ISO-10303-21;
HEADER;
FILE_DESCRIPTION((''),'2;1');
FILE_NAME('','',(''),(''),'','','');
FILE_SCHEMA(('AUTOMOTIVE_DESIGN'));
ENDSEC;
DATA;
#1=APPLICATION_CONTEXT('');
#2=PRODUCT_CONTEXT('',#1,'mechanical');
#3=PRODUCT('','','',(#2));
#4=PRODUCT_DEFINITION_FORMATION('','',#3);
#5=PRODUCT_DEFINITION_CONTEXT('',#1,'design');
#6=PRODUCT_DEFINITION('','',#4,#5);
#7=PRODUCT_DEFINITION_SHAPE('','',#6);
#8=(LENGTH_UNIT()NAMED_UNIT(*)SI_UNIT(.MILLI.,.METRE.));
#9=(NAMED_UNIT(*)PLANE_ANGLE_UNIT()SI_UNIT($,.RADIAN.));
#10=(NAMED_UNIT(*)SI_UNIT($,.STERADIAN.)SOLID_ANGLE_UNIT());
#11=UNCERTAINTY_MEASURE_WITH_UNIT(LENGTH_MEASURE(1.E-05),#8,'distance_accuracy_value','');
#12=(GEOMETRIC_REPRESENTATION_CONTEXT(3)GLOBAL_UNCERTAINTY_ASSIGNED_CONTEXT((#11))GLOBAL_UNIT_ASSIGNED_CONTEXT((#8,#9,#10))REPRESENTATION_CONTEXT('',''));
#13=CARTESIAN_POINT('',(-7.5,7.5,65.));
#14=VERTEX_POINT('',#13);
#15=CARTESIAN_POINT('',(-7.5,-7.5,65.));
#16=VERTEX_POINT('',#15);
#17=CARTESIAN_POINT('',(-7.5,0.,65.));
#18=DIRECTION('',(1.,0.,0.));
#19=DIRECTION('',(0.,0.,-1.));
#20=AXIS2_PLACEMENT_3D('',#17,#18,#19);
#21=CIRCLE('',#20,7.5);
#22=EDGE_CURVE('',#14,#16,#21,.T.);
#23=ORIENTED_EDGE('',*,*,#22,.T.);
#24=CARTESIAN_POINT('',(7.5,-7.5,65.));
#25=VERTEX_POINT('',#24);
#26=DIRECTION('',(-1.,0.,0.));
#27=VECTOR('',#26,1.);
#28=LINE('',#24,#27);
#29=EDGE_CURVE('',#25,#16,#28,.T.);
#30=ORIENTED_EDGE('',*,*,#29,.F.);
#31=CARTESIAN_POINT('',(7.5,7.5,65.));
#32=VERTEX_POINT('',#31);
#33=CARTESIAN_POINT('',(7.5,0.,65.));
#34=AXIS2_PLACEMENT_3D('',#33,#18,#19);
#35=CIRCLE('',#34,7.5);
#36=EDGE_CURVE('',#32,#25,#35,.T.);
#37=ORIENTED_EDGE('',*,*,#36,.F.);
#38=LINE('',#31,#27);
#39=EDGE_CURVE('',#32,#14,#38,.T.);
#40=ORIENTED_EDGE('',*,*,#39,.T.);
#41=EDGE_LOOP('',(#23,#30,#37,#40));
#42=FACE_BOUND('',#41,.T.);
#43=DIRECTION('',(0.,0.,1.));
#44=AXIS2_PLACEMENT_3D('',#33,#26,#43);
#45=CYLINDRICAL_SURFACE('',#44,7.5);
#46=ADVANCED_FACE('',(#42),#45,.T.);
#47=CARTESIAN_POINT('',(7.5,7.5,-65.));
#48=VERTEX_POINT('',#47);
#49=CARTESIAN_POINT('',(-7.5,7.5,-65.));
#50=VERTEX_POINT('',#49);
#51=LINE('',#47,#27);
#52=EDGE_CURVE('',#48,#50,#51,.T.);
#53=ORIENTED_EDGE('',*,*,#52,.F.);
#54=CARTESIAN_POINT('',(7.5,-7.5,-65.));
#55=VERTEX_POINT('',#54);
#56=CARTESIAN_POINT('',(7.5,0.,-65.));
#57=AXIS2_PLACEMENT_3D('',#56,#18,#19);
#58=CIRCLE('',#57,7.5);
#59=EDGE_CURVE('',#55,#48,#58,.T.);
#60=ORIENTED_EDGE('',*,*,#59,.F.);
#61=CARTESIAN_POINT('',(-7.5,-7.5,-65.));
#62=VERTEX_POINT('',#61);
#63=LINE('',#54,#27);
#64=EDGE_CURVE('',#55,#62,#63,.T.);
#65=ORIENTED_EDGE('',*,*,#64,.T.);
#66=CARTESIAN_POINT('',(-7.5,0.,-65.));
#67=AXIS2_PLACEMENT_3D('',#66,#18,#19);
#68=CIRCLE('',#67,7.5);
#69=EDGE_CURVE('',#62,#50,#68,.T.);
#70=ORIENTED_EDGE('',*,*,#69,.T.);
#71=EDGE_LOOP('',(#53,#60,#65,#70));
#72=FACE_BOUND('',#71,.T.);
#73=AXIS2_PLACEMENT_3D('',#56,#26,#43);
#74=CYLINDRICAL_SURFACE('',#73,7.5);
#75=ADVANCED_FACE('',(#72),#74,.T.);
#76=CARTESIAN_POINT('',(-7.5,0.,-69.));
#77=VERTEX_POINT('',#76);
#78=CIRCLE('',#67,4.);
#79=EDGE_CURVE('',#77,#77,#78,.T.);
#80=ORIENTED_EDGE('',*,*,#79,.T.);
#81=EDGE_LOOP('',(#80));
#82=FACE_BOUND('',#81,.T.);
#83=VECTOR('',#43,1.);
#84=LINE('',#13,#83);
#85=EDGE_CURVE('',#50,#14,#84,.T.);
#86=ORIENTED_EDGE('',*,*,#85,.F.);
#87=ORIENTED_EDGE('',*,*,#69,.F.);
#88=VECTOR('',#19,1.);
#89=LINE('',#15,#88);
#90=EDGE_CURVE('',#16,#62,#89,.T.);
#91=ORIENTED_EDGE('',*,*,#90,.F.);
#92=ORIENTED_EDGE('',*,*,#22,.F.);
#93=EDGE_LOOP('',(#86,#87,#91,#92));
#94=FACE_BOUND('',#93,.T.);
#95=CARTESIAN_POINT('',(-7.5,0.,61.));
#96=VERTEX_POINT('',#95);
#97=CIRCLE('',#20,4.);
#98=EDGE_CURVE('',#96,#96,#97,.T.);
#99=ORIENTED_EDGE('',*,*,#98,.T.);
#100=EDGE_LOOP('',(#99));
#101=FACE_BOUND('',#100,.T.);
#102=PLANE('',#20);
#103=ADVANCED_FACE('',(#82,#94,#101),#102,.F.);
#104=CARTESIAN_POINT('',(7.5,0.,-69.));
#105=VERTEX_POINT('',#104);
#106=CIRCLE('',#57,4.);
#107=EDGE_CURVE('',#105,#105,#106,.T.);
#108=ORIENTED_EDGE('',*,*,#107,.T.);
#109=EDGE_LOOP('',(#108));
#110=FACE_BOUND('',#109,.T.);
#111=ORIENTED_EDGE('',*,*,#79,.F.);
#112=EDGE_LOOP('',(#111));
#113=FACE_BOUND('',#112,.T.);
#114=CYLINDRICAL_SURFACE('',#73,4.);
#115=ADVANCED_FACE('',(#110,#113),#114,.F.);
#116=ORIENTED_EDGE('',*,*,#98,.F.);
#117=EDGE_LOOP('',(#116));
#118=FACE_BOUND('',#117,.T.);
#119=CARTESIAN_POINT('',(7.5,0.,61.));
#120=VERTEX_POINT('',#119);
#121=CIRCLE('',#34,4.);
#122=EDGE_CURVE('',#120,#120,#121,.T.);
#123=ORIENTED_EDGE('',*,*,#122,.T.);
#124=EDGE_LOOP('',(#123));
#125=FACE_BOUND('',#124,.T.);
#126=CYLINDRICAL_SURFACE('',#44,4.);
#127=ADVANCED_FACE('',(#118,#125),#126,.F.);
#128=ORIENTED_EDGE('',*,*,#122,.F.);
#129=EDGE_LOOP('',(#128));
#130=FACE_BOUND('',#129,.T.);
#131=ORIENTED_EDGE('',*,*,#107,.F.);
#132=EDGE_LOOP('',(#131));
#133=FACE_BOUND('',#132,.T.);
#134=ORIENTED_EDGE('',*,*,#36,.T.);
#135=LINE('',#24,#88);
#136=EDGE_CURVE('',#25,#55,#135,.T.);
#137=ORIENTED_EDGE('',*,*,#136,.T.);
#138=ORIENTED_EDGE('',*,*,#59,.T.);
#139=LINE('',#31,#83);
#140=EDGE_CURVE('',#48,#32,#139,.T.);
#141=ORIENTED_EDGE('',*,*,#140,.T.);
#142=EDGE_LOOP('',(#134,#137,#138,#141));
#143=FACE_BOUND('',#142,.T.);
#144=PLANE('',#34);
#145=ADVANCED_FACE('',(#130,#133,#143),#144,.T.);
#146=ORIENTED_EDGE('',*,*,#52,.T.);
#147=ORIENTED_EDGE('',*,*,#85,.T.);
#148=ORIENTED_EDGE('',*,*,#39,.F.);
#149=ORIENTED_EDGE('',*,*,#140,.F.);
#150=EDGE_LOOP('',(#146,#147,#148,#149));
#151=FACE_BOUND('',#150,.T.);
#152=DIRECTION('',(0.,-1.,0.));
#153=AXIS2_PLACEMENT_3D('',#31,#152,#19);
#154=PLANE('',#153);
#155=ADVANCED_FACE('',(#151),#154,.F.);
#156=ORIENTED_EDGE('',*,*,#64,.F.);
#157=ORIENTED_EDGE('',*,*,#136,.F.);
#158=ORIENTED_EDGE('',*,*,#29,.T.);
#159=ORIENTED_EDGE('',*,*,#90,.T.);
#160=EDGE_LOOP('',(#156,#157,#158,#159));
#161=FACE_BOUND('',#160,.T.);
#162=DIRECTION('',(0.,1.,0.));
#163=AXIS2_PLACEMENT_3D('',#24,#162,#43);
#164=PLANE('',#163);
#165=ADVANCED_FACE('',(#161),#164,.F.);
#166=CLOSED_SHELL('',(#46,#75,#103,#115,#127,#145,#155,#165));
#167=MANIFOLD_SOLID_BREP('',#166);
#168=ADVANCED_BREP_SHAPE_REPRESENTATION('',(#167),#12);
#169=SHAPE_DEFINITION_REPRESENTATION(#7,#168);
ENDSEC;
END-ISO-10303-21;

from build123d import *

# Parameters (mm, degrees)
SKETCH1_R           = 4
BOSS_EXTRUDE1_DEPTH = 7.5


with BuildPart() as part:
    # Sketch1 → Boss-Extrude1 (new, symmetric)
    with BuildSketch(Plane(origin=(0, 0, 0), x_dir=(0, 0, -1), z_dir=(1, 0, 0))):
        with BuildLine():
            Line((-65, 7.5), (65, 7.5))
            ThreePointArc((65, 7.5), (72.5, 0), (65, -7.5))
            Line((65, -7.5), (-65, -7.5))
            ThreePointArc((-65, -7.5), (-72.5, 0), (-65, 7.5))
        make_face()
        with Locations((-65, 0)):
            Circle(SKETCH1_R, mode=Mode.SUBTRACT)
        with Locations((65, 0)):
            Circle(SKETCH1_R, mode=Mode.SUBTRACT)
    extrude(amount=BOSS_EXTRUDE1_DEPTH, both=True)


solid = part.part
